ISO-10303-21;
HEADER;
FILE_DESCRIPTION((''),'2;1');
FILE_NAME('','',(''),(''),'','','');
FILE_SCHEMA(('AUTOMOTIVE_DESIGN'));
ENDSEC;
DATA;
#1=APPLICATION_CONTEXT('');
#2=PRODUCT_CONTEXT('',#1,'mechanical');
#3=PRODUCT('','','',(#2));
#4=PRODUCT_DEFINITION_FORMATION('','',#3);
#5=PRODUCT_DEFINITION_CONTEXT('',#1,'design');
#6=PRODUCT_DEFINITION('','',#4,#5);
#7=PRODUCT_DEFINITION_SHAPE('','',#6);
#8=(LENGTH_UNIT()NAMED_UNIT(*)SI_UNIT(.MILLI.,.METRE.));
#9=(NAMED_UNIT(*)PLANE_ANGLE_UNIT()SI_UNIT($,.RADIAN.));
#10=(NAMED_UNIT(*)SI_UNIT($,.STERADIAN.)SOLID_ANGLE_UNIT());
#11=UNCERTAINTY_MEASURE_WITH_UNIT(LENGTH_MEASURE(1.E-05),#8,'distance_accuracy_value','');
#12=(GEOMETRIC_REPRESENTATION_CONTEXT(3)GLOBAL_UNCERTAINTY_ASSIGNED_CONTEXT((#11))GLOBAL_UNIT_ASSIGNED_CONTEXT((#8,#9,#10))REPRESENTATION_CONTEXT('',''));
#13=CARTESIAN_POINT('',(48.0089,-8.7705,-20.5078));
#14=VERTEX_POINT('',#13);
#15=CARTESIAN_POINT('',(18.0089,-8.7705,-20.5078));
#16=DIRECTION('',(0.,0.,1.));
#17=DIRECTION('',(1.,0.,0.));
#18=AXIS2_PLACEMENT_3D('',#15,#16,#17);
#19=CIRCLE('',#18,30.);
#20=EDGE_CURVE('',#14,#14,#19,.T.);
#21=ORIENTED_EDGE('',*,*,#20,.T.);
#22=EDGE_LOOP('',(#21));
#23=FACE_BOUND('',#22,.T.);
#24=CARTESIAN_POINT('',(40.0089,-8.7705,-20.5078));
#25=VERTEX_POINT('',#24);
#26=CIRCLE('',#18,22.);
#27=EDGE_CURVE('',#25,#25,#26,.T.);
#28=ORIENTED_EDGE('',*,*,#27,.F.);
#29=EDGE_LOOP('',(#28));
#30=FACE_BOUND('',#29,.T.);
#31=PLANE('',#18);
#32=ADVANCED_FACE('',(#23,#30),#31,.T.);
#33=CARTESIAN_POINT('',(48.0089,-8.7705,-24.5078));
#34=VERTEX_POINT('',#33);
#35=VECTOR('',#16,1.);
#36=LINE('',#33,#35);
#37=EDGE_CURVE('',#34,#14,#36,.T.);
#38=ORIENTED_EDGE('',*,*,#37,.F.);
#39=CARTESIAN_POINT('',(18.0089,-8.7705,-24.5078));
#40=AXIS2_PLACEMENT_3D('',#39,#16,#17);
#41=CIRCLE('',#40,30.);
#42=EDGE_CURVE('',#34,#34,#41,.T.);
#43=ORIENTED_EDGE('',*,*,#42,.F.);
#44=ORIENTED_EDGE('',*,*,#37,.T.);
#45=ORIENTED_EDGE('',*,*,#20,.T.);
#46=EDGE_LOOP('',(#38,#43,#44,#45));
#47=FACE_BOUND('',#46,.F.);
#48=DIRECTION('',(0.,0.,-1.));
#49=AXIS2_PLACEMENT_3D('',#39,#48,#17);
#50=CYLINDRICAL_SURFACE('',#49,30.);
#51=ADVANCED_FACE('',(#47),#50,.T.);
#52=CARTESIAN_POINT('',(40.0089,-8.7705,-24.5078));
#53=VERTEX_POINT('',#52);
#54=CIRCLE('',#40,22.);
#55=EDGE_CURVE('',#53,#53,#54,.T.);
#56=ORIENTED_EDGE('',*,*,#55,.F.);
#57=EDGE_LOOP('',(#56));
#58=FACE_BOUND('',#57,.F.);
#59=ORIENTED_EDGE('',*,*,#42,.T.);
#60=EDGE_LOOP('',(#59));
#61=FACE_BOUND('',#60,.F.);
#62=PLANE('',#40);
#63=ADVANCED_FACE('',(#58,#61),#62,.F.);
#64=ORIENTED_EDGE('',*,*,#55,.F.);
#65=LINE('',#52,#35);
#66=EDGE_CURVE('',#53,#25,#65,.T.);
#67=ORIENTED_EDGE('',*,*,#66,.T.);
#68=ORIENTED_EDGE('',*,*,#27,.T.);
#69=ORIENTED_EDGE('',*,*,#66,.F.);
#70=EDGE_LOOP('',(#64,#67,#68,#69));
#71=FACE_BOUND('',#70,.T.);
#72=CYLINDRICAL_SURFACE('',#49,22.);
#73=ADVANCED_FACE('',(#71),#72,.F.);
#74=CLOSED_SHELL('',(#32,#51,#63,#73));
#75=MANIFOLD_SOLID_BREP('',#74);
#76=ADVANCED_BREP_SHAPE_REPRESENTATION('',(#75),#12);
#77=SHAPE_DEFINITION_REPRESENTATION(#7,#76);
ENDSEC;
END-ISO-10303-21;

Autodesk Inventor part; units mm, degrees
ref_plane "YZ Plane" through (0, 0, 0) normal (1, 0, 0) x (0, 1, 0)
ref_plane "XZ Plane" through (0, 0, 0) normal (0, 1, 0) x (-1, 0, 0)
ref_plane "XY Plane" through (0, 0, 0) normal (0, 0, 1) x (1, 0, 0)
ref_plane "Work Plane1" through (18.0089, -8.7705, -24.5078) normal (0, 0, 1) x (1, 0, 0)
sketch "Sketch1" plane through (18.0089, -8.7705, -24.5078) normal (0, 0, 1) x (1, 0, 0)
  circle A0 centre (0, 0) radius 30 projected
  circle A1 centre (0, 0) radius 30
  circle A2 centre (0, 0) radius 22
  point P0 (-18.0089, 8.7705)
  dimension "d0" = 60
  dimension "d1" = 8
extrude "Extrusion1" add sketch "Sketch1" along normal blind 4
properties part number "Ring"
